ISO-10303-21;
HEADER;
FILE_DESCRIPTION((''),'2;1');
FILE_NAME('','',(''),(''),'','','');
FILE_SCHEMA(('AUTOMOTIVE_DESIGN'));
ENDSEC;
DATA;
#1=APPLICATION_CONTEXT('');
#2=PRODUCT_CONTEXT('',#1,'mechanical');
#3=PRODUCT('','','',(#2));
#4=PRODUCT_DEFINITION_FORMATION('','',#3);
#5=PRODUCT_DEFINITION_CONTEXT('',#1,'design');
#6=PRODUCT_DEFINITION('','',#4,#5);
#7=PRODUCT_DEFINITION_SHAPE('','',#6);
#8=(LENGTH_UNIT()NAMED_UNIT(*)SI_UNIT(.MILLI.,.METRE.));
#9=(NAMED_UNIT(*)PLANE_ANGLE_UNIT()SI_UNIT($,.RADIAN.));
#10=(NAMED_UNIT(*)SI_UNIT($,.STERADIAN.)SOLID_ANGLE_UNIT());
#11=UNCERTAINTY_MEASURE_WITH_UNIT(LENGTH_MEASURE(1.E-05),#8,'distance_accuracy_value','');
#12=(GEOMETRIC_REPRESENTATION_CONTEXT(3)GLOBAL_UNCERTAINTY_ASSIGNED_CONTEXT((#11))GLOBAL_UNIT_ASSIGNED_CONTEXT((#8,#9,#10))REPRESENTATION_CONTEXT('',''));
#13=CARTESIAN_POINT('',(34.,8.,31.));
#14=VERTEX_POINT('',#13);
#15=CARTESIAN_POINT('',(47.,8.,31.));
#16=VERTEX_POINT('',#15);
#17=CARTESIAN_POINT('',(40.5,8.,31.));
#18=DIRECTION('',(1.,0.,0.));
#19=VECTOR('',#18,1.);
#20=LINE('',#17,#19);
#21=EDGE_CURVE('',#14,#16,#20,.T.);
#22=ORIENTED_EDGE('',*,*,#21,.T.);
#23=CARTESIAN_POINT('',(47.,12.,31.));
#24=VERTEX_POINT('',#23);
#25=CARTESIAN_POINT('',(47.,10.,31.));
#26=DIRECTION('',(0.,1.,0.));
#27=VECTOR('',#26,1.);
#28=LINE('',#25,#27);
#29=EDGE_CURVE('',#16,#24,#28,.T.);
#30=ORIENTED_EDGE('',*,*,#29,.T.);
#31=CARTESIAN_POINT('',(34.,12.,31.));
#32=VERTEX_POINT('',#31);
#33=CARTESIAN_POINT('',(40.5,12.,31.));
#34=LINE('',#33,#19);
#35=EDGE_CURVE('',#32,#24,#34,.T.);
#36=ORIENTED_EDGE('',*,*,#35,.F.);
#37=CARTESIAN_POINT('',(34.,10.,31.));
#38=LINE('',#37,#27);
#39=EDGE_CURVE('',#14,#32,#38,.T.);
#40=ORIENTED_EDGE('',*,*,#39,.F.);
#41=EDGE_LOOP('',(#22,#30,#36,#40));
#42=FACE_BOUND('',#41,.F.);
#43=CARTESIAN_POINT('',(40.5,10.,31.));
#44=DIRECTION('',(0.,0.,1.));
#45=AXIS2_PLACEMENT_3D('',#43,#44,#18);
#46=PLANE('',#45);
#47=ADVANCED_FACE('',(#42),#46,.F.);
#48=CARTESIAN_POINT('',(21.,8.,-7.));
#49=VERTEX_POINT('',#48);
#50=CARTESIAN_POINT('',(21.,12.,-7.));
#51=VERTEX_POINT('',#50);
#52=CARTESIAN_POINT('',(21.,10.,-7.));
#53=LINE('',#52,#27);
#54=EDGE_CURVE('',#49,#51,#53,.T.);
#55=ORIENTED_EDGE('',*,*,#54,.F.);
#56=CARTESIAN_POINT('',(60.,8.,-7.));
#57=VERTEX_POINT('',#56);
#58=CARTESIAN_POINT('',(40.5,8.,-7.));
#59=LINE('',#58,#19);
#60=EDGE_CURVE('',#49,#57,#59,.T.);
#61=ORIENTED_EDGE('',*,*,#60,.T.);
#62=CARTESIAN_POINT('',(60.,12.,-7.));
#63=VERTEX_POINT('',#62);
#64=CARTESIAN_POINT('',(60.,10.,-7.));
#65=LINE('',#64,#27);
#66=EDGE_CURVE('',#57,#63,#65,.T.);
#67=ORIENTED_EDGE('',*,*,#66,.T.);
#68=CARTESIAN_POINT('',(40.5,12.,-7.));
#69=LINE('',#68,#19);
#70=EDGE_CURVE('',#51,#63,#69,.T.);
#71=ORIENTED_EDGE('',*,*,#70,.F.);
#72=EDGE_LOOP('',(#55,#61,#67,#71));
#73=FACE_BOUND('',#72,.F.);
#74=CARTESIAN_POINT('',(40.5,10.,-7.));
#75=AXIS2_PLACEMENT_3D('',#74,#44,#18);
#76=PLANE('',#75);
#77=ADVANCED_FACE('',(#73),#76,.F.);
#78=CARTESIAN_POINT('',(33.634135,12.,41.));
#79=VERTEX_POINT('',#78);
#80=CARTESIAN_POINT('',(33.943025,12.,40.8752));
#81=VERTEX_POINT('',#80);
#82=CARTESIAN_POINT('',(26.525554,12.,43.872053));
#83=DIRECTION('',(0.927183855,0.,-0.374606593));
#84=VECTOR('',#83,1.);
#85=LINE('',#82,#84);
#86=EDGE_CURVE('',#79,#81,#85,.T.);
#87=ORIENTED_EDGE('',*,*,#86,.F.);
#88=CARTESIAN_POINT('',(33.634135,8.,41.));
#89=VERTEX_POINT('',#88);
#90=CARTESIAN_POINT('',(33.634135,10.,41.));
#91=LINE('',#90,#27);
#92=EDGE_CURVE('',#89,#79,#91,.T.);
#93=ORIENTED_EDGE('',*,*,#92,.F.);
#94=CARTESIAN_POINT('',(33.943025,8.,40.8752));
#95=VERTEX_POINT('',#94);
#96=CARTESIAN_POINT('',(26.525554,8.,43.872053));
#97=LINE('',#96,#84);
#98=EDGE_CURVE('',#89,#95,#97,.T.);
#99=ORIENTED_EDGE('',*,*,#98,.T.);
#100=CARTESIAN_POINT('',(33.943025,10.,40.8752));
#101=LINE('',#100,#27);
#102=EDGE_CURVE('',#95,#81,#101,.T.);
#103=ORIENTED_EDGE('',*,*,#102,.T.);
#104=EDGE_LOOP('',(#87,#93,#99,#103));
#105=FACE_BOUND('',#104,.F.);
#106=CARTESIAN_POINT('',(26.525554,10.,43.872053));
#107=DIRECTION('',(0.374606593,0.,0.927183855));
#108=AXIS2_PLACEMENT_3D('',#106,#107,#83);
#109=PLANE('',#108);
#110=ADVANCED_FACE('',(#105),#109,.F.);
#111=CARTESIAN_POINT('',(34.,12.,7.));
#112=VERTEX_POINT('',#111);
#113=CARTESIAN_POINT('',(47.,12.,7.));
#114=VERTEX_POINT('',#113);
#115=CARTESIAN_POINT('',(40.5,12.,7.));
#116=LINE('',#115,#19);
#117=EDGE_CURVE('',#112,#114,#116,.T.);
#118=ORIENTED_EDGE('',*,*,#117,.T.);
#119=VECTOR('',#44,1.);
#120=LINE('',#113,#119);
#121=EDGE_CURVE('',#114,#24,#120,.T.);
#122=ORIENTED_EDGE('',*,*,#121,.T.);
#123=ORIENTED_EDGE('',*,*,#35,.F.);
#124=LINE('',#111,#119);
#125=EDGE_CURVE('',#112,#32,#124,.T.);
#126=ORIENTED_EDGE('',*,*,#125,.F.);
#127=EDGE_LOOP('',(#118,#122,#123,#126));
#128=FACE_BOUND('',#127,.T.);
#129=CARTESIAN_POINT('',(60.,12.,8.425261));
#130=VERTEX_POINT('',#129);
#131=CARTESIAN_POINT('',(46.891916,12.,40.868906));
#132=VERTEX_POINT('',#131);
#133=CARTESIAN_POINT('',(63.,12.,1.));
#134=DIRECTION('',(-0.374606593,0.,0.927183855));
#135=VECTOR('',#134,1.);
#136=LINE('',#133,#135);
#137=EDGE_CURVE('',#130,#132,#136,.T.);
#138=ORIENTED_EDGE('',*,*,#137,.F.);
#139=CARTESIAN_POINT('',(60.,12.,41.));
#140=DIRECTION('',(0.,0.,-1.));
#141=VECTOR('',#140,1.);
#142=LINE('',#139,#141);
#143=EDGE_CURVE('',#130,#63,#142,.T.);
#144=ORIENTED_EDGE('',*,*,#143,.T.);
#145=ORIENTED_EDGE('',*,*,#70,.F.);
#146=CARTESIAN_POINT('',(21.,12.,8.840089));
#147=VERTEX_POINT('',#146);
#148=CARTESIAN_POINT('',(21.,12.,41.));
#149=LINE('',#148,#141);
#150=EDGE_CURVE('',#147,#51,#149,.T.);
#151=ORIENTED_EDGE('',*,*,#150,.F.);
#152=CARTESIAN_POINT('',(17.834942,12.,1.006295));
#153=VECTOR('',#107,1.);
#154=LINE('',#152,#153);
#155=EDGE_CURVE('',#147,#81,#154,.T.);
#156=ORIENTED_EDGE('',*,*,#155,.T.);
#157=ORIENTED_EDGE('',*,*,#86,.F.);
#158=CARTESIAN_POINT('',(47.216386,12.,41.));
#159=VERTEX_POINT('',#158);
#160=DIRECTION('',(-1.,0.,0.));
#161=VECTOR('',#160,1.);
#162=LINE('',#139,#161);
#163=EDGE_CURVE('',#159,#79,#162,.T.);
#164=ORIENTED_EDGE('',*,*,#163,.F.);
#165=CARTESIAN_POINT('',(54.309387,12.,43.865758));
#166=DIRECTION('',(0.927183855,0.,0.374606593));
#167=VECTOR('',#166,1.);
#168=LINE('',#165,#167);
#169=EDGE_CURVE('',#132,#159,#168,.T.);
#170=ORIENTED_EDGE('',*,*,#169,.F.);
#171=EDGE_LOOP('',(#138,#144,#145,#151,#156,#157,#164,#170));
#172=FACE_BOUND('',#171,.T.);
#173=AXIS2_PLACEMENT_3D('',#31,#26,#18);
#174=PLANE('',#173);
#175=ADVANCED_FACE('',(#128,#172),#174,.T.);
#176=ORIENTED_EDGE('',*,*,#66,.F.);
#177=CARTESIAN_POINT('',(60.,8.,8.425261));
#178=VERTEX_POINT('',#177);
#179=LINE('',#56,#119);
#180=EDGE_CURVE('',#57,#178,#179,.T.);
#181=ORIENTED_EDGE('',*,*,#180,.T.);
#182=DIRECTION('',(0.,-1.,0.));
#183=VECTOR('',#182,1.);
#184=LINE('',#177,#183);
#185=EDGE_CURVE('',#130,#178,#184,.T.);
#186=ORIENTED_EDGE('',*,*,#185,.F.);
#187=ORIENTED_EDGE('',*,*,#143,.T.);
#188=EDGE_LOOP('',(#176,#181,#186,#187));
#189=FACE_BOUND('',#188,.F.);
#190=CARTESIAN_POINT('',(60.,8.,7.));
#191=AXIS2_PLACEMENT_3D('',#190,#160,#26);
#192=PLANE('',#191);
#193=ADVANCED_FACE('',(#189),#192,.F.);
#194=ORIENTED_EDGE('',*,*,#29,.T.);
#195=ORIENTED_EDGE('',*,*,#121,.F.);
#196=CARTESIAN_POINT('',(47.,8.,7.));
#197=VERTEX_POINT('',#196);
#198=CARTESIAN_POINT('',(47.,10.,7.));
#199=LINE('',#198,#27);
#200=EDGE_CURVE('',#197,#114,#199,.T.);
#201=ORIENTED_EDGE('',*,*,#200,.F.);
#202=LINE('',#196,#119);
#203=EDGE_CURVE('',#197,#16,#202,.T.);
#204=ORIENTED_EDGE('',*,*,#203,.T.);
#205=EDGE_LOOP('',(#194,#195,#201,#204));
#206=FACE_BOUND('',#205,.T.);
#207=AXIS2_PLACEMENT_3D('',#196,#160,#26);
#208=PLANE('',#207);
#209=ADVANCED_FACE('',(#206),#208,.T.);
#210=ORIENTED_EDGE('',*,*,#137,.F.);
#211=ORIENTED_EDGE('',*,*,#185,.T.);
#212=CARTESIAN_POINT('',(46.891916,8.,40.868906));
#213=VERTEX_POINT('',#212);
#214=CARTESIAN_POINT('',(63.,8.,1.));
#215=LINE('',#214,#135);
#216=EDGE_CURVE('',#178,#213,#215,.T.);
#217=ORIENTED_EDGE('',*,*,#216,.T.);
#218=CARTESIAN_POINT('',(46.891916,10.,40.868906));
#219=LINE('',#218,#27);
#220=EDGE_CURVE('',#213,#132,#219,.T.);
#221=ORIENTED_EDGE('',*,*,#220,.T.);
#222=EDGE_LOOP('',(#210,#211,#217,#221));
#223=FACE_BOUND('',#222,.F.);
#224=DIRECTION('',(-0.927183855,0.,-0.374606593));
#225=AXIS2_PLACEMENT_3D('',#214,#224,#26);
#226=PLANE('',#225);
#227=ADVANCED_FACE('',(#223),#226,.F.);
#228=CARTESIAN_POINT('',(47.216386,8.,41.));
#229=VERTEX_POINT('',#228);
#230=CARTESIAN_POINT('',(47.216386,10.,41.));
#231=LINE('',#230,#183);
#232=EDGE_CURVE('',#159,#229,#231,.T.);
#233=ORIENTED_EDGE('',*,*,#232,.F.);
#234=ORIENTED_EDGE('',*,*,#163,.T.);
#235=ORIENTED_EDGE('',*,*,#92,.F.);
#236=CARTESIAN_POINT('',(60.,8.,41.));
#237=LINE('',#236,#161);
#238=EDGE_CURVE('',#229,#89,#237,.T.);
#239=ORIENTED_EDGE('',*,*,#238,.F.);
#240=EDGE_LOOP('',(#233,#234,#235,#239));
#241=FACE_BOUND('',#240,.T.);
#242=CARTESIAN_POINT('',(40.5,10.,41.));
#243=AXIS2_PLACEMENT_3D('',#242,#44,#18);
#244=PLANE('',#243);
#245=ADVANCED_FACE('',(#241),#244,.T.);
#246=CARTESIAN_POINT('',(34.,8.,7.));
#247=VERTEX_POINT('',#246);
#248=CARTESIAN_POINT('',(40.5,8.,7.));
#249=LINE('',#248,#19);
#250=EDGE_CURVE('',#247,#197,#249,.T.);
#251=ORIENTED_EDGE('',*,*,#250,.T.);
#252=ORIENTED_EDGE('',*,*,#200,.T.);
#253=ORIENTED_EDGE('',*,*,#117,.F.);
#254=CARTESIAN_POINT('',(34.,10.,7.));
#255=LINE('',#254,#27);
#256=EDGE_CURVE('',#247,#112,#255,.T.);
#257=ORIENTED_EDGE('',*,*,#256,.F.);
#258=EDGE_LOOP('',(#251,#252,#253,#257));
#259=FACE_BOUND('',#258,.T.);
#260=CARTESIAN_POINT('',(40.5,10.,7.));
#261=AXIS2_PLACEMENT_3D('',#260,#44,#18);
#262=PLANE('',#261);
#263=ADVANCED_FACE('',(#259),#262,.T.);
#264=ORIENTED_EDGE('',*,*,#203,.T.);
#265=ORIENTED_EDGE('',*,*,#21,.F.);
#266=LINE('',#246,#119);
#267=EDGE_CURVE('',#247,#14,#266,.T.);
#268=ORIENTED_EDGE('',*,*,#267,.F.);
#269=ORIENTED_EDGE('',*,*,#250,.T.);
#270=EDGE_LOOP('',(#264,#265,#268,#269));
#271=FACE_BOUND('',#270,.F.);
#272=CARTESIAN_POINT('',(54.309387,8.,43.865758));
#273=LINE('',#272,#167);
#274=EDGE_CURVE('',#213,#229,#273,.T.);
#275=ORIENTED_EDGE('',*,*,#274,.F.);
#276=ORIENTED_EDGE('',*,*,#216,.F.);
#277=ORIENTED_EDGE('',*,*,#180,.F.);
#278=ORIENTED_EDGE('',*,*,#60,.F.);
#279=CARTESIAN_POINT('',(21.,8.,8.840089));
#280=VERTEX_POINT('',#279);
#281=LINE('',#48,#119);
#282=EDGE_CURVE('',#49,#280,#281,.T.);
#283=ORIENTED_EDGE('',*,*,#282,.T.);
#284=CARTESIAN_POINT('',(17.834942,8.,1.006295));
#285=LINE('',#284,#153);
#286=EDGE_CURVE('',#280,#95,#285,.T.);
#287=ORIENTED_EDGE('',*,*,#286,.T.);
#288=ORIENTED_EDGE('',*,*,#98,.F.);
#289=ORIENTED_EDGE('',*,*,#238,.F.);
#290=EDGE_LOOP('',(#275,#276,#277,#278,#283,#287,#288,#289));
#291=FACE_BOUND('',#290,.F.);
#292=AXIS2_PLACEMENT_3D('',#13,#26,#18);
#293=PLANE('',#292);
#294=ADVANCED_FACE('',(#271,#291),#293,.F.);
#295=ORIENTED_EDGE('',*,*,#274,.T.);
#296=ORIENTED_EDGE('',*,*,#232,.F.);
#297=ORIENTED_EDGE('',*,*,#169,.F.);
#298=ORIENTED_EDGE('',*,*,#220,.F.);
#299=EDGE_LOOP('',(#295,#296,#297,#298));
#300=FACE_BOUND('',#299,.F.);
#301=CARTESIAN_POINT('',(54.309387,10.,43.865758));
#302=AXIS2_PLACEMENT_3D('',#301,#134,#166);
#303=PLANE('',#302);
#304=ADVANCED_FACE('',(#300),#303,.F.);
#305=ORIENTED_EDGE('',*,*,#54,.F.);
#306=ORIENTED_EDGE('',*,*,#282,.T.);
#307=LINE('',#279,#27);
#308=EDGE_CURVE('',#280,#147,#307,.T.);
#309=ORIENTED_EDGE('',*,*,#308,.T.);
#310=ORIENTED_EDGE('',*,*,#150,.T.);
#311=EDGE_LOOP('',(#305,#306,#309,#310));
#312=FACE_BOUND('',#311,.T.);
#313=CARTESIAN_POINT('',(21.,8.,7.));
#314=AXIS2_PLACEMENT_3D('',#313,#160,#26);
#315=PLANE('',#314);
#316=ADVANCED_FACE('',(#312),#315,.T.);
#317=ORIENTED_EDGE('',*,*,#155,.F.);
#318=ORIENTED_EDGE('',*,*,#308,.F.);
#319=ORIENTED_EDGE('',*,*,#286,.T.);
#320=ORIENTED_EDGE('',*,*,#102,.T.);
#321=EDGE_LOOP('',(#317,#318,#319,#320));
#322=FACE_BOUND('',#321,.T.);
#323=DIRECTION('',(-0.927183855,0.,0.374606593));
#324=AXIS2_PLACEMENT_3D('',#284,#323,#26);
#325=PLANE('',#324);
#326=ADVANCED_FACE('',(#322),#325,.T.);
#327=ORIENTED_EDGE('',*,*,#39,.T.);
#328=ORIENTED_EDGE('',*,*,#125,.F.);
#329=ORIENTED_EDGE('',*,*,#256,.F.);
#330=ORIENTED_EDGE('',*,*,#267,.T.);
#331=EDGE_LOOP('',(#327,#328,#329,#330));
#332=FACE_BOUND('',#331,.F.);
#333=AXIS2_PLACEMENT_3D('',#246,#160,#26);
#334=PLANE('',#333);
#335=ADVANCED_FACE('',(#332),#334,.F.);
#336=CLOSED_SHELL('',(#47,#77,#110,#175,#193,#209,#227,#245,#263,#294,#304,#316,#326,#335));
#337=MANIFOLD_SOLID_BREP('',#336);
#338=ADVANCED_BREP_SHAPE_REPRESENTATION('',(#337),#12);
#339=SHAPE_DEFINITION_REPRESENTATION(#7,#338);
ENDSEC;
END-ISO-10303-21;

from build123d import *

# Parameters (mm, degrees)
BOX012_W               = 16
BOX012_H               = 4
BOX012_DEPTH           = 43
BOX012_PLACEMENT_ANGLE = 22
BOX011_W               = 16
BOX011_H               = 4
BOX011_DEPTH           = 43
BOX011_PLACEMENT_ANGLE = 22
BOX008_W               = 13
BOX008_H               = 4
BOX008_DEPTH           = 34
BOX009_W               = 13
BOX009_H               = 4
BOX009_DEPTH           = 34
BOX010_W               = 13
BOX010_H               = 4
BOX010_DEPTH           = 10
BOX007_W               = 39
BOX007_H               = 4
BOX007_DEPTH           = 14


with BuildPart() as w_rfel012:
    # Box012 → Box012 (new body)
    with BuildSketch(Plane.XY):
        with Locations((8, 2)):
            Rectangle(BOX012_W, BOX012_H)
    extrude(amount=BOX012_DEPTH)


with BuildPart() as w_rfel012_1:
    # Box012 placement: moved
    add(w_rfel012.part.moved(Location((42, 0, 8))).rotate(Axis((42, 0, 8), (0, -1, 0)), BOX012_PLACEMENT_ANGLE))


with BuildPart() as fusion008:
    # Box011 → Box011 (new body)
    with BuildSketch(Plane.XY):
        with Locations((8, 2)):
            Rectangle(BOX011_W, BOX011_H)
    extrude(amount=BOX011_DEPTH)


with BuildPart() as fusion008_1:
    # Box011 placement: moved
    add(fusion008.part.moved(Location((-18, 0, 14))).rotate(Axis((-18, 0, 14), (0, 1, 0)), BOX011_PLACEMENT_ANGLE))

    # Fusion008: union Würfel012
    add(w_rfel012_1.part)


with BuildPart() as w_rfel008:
    # Box008 → Box008 (new body)
    with BuildSketch(Plane.XY.offset(14)):
        with Locations((6.5, 2)):
            Rectangle(BOX008_W, BOX008_H)
    extrude(amount=BOX008_DEPTH)


with BuildPart() as w_rfel009:
    # Box009 → Box009 (new body)
    with BuildSketch(Plane(origin=(26, 0, 14), x_dir=(1, 0, 0), z_dir=(0, 0, 1))):
        with Locations((6.5, 2)):
            Rectangle(BOX009_W, BOX009_H)
    extrude(amount=BOX009_DEPTH)


with BuildPart() as w_rfel010:
    # Box010 → Box010 (new body)
    with BuildSketch(Plane(origin=(13, 0, 38), x_dir=(1, 0, 0), z_dir=(0, 0, 1))):
        with Locations((6.5, 2)):
            Rectangle(BOX010_W, BOX010_H)
    extrude(amount=BOX010_DEPTH)


with BuildPart() as cut003:
    # Box007 → Box007 (new body)
    with BuildSketch(Plane.XY):
        with Locations((19.5, 2)):
            Rectangle(BOX007_W, BOX007_H)
    extrude(amount=BOX007_DEPTH)

    # Fusion007: union Würfel008, Würfel009, Würfel010
    add(w_rfel008.part)
    add(w_rfel009.part)
    add(w_rfel010.part)

    # Cut003: cut Fusion008
    add(fusion008_1.part, mode=Mode.SUBTRACT)


with BuildPart() as cut003_1:
    # Cut003 placement: moved
    add(cut003.part.moved(Location((21, 8, -7))))


solid = cut003_1.part
